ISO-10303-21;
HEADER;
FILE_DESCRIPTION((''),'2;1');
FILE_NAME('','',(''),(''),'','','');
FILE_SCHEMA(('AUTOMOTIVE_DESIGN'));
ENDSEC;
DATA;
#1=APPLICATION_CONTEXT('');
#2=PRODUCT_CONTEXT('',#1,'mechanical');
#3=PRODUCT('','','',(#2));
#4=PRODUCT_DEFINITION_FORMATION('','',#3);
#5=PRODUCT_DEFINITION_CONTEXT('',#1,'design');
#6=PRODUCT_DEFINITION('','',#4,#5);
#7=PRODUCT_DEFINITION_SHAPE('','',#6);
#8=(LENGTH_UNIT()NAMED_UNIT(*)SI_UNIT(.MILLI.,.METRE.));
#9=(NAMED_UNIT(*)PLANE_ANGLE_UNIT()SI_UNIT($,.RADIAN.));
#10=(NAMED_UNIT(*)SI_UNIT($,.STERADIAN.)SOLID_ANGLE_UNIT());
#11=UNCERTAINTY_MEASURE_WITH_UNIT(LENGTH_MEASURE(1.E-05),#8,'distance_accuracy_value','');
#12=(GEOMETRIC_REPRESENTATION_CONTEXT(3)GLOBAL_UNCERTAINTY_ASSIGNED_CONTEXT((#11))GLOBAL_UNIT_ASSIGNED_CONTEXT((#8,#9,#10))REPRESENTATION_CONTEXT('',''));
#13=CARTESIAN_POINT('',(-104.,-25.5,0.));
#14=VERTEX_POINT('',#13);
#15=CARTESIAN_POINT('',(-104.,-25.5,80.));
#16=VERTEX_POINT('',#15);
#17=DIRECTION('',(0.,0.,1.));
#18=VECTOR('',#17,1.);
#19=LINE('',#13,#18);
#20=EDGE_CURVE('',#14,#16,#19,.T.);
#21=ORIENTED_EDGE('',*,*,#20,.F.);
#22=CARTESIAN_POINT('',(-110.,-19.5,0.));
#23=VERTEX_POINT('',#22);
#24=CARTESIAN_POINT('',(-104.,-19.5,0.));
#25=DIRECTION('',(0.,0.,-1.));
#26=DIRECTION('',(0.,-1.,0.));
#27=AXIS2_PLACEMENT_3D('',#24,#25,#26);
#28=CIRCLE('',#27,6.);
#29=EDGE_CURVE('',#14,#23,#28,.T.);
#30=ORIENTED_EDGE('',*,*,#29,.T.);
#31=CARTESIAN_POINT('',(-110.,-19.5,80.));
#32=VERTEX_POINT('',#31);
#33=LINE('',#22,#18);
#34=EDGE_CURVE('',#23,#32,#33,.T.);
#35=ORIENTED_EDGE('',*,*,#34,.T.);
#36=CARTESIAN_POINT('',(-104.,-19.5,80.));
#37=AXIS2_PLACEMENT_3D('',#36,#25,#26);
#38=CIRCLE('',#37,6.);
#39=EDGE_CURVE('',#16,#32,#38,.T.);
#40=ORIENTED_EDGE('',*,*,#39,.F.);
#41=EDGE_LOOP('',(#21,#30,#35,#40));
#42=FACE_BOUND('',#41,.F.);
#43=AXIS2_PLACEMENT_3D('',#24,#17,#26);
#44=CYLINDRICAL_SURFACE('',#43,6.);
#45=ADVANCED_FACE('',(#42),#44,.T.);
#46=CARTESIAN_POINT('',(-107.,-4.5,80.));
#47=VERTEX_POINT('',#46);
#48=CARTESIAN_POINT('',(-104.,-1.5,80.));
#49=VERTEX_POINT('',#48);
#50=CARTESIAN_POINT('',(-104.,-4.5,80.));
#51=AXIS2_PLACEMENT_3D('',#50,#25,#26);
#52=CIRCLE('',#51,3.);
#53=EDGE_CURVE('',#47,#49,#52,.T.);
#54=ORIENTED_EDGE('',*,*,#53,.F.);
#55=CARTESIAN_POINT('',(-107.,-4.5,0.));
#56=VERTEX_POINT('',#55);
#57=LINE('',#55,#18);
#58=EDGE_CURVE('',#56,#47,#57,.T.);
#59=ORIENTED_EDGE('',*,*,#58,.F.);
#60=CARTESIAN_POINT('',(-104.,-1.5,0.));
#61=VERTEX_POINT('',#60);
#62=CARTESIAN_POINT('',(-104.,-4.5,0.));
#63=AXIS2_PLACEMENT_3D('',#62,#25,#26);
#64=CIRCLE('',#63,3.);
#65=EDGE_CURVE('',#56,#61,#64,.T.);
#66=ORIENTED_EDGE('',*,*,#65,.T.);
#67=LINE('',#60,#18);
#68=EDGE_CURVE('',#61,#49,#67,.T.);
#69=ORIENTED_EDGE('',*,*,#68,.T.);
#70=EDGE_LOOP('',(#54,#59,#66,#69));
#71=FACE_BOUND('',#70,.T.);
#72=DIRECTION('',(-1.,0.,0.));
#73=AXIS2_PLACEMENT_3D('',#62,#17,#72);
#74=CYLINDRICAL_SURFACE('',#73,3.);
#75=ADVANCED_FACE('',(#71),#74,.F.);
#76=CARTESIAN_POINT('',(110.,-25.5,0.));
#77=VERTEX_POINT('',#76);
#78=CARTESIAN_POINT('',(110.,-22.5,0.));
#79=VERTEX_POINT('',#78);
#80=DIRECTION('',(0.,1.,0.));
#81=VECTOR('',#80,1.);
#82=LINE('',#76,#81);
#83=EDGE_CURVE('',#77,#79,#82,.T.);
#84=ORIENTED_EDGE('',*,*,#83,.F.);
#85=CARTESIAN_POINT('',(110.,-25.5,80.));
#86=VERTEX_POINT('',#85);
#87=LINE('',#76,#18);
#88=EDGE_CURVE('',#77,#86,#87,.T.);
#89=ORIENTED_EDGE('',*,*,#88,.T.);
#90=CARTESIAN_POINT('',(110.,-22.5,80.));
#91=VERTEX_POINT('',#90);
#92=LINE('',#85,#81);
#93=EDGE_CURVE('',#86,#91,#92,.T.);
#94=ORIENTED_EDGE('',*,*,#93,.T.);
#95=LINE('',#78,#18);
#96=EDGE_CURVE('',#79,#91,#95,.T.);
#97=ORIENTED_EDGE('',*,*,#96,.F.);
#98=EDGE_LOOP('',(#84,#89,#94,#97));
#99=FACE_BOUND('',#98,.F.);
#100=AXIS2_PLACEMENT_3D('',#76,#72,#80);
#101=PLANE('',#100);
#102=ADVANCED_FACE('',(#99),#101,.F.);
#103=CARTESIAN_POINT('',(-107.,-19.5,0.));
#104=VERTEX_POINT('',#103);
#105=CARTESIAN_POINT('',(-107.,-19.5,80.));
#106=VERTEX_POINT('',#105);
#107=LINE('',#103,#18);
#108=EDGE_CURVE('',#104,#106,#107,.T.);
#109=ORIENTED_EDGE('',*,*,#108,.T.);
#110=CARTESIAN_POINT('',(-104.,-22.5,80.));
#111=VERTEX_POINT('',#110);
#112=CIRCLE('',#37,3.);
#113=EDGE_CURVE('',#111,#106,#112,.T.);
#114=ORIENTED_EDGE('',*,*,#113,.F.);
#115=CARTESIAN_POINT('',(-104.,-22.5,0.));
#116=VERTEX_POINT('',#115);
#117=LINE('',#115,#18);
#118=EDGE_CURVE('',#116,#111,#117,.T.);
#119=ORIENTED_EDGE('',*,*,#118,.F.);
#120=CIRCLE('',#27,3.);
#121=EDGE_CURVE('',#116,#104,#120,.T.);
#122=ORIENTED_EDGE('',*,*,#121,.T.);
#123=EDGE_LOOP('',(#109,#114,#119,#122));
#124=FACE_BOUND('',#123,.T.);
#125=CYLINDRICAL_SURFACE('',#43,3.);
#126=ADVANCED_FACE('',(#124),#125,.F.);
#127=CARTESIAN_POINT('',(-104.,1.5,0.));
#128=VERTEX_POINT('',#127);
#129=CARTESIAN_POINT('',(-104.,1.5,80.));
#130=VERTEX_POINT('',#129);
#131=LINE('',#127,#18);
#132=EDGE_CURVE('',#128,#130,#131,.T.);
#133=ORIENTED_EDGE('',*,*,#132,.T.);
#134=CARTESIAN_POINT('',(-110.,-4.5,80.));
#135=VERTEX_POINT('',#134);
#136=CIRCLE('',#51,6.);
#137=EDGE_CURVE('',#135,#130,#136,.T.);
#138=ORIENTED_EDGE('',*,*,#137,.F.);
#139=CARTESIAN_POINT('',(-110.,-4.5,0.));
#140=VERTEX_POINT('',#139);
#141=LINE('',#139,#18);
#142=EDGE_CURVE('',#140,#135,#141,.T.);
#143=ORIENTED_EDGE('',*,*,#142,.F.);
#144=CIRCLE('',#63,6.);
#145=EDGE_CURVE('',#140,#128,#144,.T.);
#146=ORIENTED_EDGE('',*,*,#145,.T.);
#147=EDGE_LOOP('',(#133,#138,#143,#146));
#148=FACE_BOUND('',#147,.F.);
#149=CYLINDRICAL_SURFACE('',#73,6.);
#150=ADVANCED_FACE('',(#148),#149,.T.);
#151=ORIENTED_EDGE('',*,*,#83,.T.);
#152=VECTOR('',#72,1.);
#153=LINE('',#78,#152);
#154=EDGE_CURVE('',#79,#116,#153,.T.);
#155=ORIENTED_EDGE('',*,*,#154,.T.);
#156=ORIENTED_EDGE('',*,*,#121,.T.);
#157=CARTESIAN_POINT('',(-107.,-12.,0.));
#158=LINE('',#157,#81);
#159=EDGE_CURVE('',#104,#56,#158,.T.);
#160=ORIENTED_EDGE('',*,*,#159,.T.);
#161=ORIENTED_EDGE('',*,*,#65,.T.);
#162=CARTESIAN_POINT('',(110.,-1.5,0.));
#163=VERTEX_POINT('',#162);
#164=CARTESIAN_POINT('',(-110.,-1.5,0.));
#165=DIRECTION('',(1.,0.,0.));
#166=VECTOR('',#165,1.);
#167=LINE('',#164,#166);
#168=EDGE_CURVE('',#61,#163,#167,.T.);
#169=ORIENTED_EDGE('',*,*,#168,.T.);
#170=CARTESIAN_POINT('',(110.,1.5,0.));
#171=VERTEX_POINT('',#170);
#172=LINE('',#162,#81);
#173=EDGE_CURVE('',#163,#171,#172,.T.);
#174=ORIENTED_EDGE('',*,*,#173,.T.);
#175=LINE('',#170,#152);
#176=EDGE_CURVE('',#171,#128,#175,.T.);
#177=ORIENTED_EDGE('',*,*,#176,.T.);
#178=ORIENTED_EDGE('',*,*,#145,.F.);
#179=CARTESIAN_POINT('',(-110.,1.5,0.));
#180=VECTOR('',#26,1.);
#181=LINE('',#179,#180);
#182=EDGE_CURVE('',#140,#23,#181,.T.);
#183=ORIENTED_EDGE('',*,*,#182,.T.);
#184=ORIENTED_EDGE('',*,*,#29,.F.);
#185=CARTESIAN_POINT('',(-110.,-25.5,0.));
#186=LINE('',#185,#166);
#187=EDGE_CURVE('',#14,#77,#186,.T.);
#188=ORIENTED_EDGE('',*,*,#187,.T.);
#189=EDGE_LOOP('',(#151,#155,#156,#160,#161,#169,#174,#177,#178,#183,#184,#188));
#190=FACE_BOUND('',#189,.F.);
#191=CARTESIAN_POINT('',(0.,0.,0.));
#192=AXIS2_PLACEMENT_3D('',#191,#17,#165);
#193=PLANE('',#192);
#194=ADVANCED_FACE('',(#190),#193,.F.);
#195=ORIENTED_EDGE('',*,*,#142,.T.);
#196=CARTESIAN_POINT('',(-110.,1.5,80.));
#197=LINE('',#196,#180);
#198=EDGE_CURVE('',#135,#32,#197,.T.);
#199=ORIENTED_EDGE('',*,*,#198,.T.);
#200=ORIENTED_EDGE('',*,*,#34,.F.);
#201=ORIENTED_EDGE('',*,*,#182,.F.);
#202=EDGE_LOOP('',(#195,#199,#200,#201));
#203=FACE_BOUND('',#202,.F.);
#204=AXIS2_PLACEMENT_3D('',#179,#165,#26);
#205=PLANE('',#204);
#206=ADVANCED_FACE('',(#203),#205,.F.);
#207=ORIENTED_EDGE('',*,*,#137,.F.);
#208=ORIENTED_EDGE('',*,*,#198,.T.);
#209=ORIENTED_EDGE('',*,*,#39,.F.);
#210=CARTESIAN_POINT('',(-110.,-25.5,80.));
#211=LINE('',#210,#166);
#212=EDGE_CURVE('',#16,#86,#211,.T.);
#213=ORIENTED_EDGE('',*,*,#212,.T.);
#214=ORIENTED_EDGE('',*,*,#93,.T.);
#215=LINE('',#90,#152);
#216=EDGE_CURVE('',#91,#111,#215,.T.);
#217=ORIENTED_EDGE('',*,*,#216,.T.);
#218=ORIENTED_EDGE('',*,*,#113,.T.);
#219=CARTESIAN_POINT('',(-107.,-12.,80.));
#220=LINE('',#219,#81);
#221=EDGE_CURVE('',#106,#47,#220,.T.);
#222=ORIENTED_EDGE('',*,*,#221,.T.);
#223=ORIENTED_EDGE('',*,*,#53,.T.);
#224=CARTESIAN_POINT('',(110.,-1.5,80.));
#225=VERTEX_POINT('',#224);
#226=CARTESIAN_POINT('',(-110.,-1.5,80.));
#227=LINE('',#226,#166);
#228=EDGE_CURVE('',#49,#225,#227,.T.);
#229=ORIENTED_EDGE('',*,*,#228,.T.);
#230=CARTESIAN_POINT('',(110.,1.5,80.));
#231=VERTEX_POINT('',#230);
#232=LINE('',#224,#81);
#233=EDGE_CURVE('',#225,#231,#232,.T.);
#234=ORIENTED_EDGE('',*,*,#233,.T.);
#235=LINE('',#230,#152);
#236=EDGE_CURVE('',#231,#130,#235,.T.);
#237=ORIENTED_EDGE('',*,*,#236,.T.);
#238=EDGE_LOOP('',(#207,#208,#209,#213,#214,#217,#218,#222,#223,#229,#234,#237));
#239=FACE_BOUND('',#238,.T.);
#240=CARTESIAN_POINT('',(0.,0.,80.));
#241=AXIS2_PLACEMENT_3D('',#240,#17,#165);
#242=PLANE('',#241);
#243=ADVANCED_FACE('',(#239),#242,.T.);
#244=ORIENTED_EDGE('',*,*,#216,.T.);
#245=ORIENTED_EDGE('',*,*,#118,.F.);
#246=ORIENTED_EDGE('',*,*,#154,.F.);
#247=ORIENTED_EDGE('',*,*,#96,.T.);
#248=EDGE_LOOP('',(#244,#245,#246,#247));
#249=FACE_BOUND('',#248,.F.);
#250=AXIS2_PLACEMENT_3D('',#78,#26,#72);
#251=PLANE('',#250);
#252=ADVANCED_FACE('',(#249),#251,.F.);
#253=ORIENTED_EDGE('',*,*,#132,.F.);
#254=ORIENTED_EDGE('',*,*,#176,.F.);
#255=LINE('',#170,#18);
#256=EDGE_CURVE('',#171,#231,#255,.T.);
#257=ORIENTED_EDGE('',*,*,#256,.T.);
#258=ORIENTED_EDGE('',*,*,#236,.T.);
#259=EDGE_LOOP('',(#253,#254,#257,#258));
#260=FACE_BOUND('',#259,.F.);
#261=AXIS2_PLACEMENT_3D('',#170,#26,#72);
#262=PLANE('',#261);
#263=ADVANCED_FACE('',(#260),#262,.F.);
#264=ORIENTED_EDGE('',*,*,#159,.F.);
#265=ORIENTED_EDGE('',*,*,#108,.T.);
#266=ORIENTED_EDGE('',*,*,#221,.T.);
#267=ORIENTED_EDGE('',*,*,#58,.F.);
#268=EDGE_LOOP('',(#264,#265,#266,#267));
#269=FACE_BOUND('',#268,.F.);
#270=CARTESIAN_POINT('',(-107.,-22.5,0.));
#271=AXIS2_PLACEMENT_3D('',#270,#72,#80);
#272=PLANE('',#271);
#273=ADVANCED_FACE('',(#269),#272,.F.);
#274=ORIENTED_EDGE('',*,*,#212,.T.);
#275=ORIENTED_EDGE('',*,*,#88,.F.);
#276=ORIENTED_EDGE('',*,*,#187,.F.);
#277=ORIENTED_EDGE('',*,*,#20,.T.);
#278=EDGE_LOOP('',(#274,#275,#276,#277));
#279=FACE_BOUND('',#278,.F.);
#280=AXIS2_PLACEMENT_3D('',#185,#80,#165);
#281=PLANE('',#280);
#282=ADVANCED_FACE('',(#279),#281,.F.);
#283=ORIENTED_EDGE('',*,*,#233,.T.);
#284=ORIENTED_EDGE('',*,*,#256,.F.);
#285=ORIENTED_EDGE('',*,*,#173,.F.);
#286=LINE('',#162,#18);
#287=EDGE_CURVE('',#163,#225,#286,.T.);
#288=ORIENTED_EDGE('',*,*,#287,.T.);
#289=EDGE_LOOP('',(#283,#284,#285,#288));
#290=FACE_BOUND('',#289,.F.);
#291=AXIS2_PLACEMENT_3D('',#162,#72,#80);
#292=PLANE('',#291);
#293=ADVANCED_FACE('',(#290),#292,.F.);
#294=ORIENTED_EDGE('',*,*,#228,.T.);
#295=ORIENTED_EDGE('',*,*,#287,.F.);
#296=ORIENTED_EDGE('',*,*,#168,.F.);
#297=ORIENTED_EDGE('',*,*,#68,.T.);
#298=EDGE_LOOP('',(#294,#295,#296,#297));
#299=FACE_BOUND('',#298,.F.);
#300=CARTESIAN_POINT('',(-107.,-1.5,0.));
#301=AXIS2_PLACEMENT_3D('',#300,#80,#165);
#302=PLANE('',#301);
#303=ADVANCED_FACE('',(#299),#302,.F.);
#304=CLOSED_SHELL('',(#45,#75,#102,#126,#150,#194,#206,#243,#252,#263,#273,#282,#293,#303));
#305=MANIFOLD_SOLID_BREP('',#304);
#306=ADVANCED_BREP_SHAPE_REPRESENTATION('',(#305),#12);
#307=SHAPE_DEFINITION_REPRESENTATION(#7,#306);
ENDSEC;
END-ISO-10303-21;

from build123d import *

# Parameters (mm, degrees)
F0_W     = 3
F0_H     = 21
F1_DEPTH = 80
F2_R     = 3
F3_R     = 6


with BuildPart() as f1:
    # F0 (on Top) → F1 (new body)
    with BuildSketch(Plane.XY):
        Polygon((-110, 1.5), (-110, -1.5), (-107, -1.5), (110, -1.5), (110, 1.5), align=None)
        with Locations((-108.5, -12)):
            Rectangle(F0_W, F0_H)
        Polygon((-107, -22.5), (-110, -22.5), (-110, -25.5), (110, -25.5), (110, -22.5), align=None)
    extrude(amount=F1_DEPTH)

    # F2
    f2_edges = [f1.edges().sort_by_distance(p)[0] for p in [
        (-107, -1.5, 40),
        (-107, -22.5, 40),
    ]]
    fillet(f2_edges, radius=F2_R)

    # F3
    f3_edges = [f1.edges().sort_by_distance(p)[0] for p in [
        (-110, -25.5, 40),
        (-110, 1.5, 40),
    ]]
    fillet(f3_edges, radius=F3_R)


solid = f1.part
